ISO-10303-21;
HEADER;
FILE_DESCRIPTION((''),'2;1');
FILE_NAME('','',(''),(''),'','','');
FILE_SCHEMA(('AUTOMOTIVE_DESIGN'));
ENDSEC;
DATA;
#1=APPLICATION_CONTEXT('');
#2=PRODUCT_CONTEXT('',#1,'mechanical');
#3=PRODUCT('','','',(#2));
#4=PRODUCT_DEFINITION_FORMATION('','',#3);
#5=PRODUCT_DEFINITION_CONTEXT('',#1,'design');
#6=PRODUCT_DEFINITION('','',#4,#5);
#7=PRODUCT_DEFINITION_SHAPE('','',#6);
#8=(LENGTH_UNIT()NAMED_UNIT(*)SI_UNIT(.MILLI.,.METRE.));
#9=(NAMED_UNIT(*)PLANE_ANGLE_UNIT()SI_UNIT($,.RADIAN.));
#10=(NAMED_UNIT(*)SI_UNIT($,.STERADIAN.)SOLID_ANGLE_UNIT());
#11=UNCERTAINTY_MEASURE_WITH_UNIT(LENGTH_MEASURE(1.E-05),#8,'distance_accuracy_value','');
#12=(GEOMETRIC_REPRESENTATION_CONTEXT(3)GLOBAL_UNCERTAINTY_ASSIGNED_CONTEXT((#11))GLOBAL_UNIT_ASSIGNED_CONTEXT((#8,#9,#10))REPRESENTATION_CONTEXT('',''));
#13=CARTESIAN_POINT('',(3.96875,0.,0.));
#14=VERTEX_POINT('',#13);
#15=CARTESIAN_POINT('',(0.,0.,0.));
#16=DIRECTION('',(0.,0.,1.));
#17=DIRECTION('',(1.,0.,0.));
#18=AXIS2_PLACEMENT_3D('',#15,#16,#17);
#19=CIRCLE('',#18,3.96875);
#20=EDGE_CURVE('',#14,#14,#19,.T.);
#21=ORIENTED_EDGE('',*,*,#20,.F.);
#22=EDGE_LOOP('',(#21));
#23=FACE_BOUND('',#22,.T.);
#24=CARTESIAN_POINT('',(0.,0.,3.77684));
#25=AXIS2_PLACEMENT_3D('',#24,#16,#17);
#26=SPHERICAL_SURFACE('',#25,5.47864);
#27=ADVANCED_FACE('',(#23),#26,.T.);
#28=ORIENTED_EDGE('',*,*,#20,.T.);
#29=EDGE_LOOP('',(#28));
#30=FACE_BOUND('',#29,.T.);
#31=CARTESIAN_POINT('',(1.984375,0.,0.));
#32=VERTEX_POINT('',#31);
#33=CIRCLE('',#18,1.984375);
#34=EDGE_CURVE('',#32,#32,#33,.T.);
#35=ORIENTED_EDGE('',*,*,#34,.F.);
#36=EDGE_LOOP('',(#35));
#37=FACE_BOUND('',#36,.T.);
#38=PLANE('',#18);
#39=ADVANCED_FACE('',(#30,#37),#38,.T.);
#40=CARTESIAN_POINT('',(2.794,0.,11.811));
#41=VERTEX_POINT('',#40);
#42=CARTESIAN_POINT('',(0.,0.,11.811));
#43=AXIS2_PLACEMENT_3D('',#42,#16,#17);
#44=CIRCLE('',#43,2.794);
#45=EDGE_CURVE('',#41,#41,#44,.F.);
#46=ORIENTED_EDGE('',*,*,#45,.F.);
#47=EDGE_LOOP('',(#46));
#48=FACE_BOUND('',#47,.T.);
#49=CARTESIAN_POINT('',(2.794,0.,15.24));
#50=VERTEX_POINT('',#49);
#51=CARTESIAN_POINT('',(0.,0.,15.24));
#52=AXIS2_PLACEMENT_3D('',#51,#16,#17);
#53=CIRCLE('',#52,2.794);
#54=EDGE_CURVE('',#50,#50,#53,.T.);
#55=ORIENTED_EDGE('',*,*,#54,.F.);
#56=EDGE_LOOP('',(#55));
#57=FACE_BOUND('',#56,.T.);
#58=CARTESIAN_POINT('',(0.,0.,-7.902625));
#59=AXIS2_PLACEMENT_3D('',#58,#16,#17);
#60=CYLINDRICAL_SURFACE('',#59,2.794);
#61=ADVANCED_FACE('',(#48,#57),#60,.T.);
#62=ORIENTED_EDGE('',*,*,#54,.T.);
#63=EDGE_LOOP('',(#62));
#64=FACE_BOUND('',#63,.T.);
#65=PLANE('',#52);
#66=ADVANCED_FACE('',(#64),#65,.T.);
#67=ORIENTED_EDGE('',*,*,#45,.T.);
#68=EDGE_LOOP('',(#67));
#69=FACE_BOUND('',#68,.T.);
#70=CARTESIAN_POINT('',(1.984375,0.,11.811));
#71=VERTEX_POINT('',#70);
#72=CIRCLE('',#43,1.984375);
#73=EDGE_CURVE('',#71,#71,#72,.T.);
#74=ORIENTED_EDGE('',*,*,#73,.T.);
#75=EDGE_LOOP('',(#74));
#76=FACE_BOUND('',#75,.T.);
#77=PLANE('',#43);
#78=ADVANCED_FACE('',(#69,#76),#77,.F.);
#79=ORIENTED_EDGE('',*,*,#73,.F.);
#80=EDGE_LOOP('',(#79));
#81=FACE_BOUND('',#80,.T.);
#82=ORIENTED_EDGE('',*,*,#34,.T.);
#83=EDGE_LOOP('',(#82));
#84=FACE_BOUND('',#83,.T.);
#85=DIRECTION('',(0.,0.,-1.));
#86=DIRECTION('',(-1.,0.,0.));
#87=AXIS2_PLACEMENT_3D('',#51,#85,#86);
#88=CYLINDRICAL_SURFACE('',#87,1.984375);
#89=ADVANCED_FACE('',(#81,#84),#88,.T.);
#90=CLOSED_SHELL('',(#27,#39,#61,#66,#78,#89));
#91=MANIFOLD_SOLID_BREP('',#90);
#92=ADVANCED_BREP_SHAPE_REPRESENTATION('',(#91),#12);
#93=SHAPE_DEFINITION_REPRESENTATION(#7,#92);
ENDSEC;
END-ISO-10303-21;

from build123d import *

# Parameters (mm, degrees)
SKETCH1_R          = 1.984375
BASE_EXTRUDE_DEPTH = 15.24
SKETCH3_R          = 2.794
EXTRUDE1_DEPTH     = 3.429


with BuildPart() as part:
    # Sketch1 → Base-Extrude (new body)
    with BuildSketch(Plane.XY):
        Circle(SKETCH1_R)
    extrude(amount=BASE_EXTRUDE_DEPTH)

    # Sketch2 → Boss-Revolve1 (revolve)
    with BuildSketch(Plane(origin=(0, 0, 0), x_dir=(1, 0, 0), z_dir=(0, 1, 0))):
        with BuildLine():
            Line((0, 1.7018), (0, 0))
            Line((0, 0), (3.96875, 0))
            ThreePointArc((3.96875, 0), (2.15911439, 1.258407907), (0, 1.7018))
        make_face()
    revolve(axis=Axis((0, 0, 0), (0, 0, -1)))

    # Sketch3 → Extrude1 (add)
    with BuildSketch(Plane.XY.offset(15.24)):
        Circle(SKETCH3_R)
    extrude(amount=-EXTRUDE1_DEPTH)


solid = part.part
